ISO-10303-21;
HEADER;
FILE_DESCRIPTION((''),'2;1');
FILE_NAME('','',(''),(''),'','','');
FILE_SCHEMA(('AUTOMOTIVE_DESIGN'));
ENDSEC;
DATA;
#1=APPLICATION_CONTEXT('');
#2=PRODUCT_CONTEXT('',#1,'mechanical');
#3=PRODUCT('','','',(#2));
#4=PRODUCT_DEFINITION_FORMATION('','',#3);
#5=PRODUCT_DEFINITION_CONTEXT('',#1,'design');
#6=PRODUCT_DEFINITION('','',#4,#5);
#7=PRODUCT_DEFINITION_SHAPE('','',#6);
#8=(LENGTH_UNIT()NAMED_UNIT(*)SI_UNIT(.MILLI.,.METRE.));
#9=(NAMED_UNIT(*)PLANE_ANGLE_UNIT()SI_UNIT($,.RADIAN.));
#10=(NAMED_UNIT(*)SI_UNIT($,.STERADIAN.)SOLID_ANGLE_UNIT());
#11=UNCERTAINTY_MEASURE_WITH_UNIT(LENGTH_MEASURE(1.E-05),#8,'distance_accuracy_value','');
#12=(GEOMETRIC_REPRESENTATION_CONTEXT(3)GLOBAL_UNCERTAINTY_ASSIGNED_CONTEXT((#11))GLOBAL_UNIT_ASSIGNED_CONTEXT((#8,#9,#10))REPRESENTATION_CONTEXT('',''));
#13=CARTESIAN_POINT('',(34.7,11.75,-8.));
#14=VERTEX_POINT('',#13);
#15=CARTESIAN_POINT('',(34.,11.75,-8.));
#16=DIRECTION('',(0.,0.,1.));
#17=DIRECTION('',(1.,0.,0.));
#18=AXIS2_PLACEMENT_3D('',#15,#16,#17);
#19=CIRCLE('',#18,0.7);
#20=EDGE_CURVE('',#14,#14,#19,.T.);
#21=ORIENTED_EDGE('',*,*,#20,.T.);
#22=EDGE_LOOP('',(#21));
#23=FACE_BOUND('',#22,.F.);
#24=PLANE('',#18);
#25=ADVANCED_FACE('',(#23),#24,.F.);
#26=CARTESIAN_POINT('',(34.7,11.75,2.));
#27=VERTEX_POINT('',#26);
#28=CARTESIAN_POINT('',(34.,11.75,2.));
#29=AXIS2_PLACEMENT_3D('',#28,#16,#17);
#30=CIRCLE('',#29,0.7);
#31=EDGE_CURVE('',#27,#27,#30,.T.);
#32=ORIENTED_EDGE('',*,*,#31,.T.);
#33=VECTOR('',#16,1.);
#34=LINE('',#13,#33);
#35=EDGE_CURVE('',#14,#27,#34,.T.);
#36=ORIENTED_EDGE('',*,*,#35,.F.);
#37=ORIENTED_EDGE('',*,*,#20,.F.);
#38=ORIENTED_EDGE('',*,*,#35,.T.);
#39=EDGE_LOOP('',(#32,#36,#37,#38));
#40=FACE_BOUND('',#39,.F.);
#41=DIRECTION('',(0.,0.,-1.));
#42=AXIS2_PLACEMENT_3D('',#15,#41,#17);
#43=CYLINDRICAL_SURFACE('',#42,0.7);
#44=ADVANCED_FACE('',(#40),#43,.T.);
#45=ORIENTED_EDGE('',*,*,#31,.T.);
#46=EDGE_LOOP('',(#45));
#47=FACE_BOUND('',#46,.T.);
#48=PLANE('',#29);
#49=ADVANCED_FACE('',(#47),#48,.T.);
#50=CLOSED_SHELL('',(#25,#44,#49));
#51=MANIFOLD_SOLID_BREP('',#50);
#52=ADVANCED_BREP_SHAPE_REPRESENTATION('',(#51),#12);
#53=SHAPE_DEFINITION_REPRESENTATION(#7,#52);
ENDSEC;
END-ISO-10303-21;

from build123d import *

# Parameters (mm, degrees)
CYLINDER_R     = 0.7
CYLINDER_DEPTH = 10


with BuildPart() as cilindro:
    # Cylinder → Cylinder (new body)
    with BuildSketch(Plane(origin=(3, 5.25, -8), x_dir=(1, 0, 0), z_dir=(0, 0, 1))):
        Circle(CYLINDER_R)
    extrude(amount=CYLINDER_DEPTH)


with BuildPart() as part_mirroring:
    # Part__Mirroring: instance of Cilindro
    add(cilindro.part.mirror(Plane(origin=(0, 0, 0), x_dir=(0, 1, 0), z_dir=(0, 0, 1))))


with BuildPart() as part_mirroring_1:
    # Part__Mirroring placement: moved
    add(part_mirroring.part.moved(Location((0, 6.5, -6))))


with BuildPart() as part_mirroring001:
    # Part__Mirroring001: instance of Part__Mirroring
    add(part_mirroring_1.part.mirror(Plane(origin=(0, 0, 0), x_dir=(0, 1, 0), z_dir=(0, 0, 1))))


with BuildPart() as part_mirroring001_1:
    # Part__Mirroring001 placement: moved
    add(part_mirroring001.part.moved(Location((31, 0, -6))))


solid = part_mirroring001_1.part
